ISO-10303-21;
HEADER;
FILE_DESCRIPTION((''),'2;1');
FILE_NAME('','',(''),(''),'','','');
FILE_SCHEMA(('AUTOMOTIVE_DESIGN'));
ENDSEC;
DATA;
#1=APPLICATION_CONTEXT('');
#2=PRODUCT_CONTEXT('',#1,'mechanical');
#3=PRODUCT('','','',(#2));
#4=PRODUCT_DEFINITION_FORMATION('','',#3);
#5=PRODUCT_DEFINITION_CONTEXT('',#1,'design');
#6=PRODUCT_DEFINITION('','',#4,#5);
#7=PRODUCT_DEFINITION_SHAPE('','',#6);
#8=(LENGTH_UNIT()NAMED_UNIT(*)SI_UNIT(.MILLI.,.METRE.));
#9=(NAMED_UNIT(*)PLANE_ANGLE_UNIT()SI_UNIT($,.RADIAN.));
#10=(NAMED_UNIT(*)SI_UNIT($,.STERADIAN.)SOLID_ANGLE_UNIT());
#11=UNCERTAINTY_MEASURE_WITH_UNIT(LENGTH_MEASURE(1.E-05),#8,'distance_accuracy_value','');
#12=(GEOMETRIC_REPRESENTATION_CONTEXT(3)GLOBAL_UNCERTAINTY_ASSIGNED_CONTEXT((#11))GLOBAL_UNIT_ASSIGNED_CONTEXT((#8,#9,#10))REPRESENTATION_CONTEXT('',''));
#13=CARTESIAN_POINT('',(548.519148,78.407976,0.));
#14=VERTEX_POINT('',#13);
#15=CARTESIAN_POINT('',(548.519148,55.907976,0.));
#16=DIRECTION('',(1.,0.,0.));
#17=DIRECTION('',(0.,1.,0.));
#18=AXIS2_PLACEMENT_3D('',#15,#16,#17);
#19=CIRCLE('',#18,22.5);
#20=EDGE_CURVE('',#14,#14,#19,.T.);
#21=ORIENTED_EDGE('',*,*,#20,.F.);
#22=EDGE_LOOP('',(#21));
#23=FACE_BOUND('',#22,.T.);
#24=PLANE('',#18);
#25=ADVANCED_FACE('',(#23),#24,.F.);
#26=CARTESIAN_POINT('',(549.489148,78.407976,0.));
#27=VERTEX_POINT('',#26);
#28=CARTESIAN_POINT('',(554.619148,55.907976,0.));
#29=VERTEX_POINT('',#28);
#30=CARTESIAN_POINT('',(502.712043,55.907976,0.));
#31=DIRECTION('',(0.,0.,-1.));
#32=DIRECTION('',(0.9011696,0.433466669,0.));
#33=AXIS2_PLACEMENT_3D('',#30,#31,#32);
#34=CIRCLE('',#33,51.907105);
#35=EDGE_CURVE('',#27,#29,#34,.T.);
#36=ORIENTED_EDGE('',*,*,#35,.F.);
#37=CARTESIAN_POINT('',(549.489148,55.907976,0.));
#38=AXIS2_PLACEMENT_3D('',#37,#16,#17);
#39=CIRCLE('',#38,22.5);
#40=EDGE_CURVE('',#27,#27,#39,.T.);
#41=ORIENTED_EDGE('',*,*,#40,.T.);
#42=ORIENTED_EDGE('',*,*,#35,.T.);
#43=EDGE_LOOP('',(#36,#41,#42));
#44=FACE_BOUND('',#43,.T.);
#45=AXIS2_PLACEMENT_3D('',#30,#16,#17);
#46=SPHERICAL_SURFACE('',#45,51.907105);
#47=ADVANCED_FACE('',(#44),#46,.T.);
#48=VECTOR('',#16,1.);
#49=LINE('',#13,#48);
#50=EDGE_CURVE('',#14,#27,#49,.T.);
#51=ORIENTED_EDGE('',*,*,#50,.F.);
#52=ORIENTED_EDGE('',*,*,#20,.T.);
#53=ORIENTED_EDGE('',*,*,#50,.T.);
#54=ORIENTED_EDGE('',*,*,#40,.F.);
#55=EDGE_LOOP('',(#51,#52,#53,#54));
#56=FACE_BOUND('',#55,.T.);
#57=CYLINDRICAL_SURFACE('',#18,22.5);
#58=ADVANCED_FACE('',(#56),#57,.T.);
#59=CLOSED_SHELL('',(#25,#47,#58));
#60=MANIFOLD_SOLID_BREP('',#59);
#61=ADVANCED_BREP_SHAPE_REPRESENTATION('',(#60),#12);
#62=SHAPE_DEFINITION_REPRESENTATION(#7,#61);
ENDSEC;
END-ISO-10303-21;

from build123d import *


with BuildPart() as part:
    # 草图1 → 旋转1 (revolve)
    with BuildSketch(Plane.XY):
        with BuildLine():
            Line((548.51914828, 55.907975843), (548.51914828, 78.407975843))
            Line((548.51914828, 78.407975843), (549.48914828, 78.407975843))
            ThreePointArc((549.48914828, 78.407975843), (553.320400546, 67.44668136), (554.61914828, 55.907975843))
            Line((554.61914828, 55.907975843), (548.51914828, 55.907975843))
        make_face()
    revolve(axis=Axis((543.870940653, 55.907975843, 0), (1, 0, 0)))


solid = part.part
